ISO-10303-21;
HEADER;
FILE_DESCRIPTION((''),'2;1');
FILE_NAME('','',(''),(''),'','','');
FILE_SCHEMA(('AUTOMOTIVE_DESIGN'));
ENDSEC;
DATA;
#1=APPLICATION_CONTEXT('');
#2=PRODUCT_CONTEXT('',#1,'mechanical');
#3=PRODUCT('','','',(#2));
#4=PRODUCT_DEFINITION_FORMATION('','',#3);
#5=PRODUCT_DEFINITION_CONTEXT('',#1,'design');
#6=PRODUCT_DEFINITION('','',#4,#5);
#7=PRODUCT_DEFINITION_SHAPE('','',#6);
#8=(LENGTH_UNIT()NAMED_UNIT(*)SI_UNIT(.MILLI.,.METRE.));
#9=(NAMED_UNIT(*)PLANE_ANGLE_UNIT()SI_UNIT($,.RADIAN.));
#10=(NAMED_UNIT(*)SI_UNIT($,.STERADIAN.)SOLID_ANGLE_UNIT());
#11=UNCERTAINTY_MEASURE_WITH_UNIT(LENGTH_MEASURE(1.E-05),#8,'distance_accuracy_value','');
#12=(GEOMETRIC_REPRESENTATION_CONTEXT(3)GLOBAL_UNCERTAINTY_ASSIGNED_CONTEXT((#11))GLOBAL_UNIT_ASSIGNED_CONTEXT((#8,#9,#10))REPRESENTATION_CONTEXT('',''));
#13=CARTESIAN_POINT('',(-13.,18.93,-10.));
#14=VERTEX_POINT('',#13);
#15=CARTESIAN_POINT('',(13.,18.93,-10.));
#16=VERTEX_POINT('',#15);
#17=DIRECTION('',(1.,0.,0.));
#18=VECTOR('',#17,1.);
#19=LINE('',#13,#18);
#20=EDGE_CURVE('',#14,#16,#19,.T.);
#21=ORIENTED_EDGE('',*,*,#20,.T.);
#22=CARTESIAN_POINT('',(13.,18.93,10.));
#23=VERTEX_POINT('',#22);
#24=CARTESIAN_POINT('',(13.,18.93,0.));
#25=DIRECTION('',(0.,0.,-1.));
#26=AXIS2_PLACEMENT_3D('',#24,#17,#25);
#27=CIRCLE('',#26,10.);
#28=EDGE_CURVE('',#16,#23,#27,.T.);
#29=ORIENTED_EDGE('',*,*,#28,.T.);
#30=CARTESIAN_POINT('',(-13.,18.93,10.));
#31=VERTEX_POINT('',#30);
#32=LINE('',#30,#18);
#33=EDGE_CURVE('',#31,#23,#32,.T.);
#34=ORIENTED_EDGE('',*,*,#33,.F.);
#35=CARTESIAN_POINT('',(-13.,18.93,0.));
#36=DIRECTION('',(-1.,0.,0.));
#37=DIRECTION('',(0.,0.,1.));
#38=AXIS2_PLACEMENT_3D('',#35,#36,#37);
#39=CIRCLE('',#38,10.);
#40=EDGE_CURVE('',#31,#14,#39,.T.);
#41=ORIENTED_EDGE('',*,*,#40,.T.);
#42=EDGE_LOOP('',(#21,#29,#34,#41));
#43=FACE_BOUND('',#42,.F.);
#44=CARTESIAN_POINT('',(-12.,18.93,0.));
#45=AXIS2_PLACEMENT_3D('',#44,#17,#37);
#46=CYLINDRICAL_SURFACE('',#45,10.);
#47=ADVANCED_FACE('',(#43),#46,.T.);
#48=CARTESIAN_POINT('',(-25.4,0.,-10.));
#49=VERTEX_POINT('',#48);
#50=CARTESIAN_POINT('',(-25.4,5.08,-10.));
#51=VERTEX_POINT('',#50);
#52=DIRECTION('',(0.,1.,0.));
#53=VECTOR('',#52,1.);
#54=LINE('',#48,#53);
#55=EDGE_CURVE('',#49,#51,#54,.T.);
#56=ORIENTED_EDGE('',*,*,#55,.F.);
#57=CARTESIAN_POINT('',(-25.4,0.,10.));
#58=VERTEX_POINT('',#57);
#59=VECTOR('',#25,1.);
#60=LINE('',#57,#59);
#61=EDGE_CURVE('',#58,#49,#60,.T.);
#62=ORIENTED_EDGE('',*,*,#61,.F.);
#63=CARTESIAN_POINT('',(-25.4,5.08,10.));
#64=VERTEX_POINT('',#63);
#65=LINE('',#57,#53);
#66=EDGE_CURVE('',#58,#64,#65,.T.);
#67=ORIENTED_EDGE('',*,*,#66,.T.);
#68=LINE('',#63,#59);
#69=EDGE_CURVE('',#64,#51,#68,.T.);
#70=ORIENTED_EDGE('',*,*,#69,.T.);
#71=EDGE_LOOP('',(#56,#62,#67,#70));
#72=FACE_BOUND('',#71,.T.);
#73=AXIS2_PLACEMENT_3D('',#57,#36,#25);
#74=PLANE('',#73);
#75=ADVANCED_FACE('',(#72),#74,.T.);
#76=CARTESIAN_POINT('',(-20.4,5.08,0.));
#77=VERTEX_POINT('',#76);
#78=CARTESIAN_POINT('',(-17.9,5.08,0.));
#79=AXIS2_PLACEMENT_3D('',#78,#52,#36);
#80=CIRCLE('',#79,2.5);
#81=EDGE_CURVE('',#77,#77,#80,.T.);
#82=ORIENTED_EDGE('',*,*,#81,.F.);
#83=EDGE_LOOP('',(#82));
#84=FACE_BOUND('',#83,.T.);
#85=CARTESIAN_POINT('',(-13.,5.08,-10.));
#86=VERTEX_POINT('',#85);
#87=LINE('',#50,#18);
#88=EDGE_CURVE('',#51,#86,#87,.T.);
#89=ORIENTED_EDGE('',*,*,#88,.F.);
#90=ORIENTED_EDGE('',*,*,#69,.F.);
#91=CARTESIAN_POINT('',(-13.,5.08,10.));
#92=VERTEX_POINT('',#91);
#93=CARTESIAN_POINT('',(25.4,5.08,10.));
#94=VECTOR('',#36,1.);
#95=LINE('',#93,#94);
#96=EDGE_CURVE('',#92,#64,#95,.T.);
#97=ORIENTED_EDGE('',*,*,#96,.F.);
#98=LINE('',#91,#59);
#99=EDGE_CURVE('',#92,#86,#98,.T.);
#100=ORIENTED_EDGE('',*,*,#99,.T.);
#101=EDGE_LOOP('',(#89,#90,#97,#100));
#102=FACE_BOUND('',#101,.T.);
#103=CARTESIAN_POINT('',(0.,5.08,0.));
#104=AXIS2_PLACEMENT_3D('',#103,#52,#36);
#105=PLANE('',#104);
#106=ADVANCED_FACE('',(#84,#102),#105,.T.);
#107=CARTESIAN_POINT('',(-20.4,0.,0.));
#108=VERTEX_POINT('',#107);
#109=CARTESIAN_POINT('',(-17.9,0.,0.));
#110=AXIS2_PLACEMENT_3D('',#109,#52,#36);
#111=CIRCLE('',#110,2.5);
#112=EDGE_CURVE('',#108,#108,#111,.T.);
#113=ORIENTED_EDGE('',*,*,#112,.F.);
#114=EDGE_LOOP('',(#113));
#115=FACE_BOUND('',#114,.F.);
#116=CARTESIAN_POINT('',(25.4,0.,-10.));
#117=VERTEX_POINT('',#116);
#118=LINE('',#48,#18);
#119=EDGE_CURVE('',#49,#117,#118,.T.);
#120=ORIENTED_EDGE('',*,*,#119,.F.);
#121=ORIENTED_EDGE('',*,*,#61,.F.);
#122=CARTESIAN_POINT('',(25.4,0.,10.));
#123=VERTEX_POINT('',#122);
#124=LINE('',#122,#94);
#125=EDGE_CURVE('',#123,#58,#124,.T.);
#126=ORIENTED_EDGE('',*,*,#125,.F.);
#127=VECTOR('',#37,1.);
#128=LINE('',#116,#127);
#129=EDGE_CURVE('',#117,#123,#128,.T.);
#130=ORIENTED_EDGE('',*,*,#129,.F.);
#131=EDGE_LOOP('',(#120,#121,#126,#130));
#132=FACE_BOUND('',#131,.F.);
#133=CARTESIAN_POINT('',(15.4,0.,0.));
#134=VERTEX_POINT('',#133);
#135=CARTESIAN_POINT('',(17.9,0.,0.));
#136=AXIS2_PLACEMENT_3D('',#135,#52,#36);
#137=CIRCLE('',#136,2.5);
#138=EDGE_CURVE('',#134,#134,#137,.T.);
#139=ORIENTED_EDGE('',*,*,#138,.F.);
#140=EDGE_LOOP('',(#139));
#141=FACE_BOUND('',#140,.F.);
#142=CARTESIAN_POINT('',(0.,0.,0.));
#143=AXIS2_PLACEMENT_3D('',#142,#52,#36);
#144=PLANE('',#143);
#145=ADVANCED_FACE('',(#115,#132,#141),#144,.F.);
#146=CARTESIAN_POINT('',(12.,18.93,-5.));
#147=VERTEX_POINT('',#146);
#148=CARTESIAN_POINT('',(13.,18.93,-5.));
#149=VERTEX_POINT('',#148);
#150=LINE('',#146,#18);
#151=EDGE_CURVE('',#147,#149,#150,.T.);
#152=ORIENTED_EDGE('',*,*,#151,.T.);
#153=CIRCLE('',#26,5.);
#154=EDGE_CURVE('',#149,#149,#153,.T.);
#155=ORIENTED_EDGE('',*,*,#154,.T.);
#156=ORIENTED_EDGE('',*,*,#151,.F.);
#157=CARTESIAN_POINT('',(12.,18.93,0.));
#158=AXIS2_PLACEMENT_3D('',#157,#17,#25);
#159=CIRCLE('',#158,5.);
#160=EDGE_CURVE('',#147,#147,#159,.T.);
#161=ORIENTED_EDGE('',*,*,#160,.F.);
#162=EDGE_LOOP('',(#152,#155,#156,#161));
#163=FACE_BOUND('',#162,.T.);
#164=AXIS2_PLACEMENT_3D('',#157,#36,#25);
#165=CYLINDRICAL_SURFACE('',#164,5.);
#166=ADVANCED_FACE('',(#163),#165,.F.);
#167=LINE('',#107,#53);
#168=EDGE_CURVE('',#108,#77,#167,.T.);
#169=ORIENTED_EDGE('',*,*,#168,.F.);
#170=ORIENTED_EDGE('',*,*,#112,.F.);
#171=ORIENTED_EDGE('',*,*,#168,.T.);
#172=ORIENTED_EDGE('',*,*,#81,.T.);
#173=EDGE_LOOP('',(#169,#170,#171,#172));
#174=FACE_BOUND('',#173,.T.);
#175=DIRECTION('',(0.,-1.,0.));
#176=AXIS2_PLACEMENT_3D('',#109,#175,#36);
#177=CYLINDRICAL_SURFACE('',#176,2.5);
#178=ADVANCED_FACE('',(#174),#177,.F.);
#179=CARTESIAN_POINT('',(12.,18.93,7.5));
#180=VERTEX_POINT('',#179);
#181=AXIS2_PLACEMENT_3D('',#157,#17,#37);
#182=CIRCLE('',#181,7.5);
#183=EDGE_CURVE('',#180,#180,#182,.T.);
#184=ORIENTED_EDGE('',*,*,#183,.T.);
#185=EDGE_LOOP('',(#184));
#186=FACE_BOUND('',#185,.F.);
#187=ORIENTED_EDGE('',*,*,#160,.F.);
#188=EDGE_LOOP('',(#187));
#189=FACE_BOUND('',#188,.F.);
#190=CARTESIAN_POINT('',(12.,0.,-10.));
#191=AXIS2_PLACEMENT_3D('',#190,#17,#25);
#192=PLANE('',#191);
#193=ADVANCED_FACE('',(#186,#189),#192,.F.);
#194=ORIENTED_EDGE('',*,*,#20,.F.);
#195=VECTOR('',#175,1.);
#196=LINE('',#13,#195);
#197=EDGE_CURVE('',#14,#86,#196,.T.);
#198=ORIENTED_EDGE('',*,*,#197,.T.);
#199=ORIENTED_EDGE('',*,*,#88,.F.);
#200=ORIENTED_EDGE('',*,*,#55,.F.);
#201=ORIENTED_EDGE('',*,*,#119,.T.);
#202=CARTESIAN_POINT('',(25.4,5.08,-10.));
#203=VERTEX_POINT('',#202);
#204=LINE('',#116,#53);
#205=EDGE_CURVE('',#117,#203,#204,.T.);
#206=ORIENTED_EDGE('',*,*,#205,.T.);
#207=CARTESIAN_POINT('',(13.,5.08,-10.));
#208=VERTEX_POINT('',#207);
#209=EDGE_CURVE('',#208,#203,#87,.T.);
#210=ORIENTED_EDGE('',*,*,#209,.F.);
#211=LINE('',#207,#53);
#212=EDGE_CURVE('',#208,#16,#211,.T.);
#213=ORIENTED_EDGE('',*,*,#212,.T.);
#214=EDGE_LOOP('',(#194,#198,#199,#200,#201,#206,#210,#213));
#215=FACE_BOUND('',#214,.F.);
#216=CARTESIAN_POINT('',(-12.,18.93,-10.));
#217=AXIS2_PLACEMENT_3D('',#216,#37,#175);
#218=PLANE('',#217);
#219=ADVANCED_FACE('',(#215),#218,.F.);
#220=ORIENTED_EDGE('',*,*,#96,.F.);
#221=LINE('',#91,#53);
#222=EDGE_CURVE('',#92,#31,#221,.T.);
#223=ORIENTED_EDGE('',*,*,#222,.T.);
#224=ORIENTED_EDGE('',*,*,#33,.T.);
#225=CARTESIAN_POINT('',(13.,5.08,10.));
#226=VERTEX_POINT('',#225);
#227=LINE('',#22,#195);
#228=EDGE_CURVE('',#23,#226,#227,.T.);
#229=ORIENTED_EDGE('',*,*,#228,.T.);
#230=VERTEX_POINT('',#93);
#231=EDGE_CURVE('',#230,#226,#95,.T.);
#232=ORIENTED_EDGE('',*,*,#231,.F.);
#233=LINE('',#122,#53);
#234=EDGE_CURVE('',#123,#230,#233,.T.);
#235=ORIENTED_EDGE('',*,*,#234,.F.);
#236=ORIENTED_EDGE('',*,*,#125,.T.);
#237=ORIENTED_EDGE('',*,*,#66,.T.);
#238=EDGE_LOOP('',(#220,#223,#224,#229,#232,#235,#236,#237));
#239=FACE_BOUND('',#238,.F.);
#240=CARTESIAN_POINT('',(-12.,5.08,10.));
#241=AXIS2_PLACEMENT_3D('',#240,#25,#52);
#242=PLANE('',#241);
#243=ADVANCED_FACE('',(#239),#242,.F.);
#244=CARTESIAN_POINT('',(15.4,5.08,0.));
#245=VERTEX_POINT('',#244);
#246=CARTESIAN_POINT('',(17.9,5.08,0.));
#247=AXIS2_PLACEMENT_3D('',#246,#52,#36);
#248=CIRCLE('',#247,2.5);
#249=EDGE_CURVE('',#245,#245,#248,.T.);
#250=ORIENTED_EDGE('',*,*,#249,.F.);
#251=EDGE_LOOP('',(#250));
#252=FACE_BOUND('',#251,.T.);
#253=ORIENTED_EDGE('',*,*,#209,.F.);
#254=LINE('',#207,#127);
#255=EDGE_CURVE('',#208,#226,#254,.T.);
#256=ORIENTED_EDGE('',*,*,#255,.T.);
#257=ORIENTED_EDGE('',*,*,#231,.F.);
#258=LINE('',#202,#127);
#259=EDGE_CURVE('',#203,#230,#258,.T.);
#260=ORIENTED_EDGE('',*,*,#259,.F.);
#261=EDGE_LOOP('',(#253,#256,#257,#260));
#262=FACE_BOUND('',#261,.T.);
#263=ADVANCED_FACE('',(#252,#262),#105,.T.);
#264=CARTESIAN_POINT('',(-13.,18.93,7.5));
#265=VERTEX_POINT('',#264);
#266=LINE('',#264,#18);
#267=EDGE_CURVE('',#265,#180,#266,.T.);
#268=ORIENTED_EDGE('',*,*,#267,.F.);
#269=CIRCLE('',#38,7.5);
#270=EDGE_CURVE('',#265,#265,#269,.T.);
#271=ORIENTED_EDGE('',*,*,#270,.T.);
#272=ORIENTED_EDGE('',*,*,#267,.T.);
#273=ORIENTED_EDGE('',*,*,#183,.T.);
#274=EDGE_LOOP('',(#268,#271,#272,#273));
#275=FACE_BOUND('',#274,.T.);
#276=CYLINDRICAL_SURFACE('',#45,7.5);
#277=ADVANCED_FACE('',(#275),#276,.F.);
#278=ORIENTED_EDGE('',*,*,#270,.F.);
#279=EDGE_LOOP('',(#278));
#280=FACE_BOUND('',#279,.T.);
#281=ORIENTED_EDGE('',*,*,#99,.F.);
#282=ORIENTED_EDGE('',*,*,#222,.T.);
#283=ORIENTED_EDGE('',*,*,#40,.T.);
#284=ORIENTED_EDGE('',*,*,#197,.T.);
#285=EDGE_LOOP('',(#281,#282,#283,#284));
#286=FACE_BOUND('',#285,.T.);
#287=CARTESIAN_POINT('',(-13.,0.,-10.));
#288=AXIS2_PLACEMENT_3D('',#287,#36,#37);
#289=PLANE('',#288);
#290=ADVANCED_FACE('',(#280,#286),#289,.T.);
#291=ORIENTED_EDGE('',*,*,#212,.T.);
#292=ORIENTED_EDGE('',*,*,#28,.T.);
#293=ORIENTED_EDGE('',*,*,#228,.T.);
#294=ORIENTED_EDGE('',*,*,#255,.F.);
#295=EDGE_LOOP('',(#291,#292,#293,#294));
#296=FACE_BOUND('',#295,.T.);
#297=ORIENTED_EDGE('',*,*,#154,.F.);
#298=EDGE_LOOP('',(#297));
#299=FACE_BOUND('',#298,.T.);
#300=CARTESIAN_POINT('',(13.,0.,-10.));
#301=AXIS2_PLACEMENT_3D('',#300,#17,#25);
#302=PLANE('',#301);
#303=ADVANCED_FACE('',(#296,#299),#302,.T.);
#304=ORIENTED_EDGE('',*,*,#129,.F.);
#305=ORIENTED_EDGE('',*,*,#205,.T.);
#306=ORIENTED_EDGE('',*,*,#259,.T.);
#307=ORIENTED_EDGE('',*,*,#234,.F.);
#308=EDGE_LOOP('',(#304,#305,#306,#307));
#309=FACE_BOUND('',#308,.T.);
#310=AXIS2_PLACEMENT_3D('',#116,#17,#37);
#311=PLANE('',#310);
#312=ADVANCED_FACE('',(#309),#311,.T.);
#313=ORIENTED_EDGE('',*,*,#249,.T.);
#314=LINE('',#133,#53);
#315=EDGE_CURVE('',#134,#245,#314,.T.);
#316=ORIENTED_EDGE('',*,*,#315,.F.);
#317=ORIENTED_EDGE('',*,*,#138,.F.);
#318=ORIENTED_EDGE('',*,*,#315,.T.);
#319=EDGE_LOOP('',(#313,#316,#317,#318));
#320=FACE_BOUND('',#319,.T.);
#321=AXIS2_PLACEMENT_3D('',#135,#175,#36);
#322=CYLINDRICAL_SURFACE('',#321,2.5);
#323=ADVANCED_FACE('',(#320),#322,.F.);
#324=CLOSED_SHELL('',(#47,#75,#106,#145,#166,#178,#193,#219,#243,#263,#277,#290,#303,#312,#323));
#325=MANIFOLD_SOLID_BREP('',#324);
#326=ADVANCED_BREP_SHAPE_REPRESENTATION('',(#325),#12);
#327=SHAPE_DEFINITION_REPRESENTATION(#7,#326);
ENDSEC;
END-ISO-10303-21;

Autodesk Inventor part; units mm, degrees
ref_plane "YZ Plane" through (0, 0, 0) normal (1, 0, 0) x (0, 1, 0)
ref_plane "XZ Plane" through (0, 0, 0) normal (0, 1, 0) x (-1, 0, 0)
ref_plane "XY Plane" through (0, 0, 0) normal (0, 0, 1) x (1, 0, 0)
sketch "Sketch1" plane through (0, 0, 0) normal (0, 1, 0) x (-1, 0, 0)
  line L0 (25.4, -10) -> (-25.4, -10)
  line L1 (-25.4, -10) -> (-25.4, 10)
  line L2 (-25.4, 10) -> (25.4, 10)
  line L3 (25.4, 10) -> (25.4, -10)
  line L4 (25.4, -10) -> (-25.4, 10) construction
  line L5 (-25.4, -10) -> (25.4, 10) construction
  circle A0 centre (-17.9, 0) radius 2.5
  circle A1 centre (17.9, 0) radius 2.5
  point P0 (0, 0)
  dimension "d0" = 50.8
  dimension "d1" = 20
  dimension "d2" = 5
  dimension "d3" = 5
  dimension "d4" = 7.5
  dimension "d5" = 7.5
extrude "Extrusion1" add sketch "Sketch1" along normal blind 5.08
ref_plane "Work Plane1" through (0, 0, -10) normal (-1, 0, 0) x (0, 0, 1)
sketch "Sketch2" plane through (0, 0, -10) normal (-1, 0, 0) x (0, 0, 1)
  line L0 (0, 0) -> (20, 0) projected
  line L1 (0, 0) -> (0, 5.08) projected
  line L2 (20, 5.08) -> (0, 5.08) projected
  line L3 (20, 0) -> (20, 5.08) projected
  line L4 (0, 5.08) -> (20, 5.08) projected
  line L5 (10, 0) -> (10, 2.54)
  line L6 (10, 5.08) -> (10, 11.43)
  line L7 (10, 11.43) -> (10, 18.93)
  circle A0 centre (10, 18.93) radius 7.5
  line L8 (20, 5.08) -> (20, 18.93)
  line L9 (0, 5.08) -> (0, 18.93)
  arc A1 (20, 18.93) -> (0, 18.93) centre (10, 18.93) ccw
  line L10 (20, 18.93) -> (20, 5.08)
  line L11 (20, 5.08) -> (0, 5.08)
  line L12 (0, 5.08) -> (0, 18.93)
  dimension "d10" = 2.54
  dimension "d11" = 6.35
  dimension "d12" = 7.5
  dimension "d13" = 15
extrude "Extrusion2" add sketch "Sketch2" along normal mid plane 24 contours L9 A1 L8 L2
sketch "Sketch3" plane through (12, 0, -10) normal (1, 0, 0) x (0, 0, -1)
  circle A0 centre (-10, 18.93) radius 7.5 projected
  line L0 (0, 5.08) -> (-20, 5.08) projected
  line L1 (0, 5.08) -> (0, 18.93) projected
  arc A1 (0, 18.93) -> (-20, 18.93) centre (-10, 18.93) ccw projected
  line L2 (-20, 18.93) -> (-20, 5.08) projected
  circle A2 centre (-10, 18.93) radius 5
  point P0 (-10, 0)
  dimension "d16" = 10
extrude "Extrusion3" add sketch "Sketch3" along normal blind 1 contours A0 | L0 L2 A1 L1
sketch "Sketch4" plane through (-12, 0, -10) normal (-1, 0, 0) x (0, 0, 1)
  circle A0 centre (10, 18.93) radius 7.5 projected
  line L0 (20, 5.08) -> (0, 5.08) projected
  line L1 (20, 5.08) -> (20, 18.93) projected
  arc A1 (20, 18.93) -> (0, 18.93) centre (10, 18.93) ccw projected
  line L2 (0, 18.93) -> (0, 5.08) projected
  point P0 (10, 0)
extrude "Extrusion4" add sketch "Sketch4" along normal blind 1
